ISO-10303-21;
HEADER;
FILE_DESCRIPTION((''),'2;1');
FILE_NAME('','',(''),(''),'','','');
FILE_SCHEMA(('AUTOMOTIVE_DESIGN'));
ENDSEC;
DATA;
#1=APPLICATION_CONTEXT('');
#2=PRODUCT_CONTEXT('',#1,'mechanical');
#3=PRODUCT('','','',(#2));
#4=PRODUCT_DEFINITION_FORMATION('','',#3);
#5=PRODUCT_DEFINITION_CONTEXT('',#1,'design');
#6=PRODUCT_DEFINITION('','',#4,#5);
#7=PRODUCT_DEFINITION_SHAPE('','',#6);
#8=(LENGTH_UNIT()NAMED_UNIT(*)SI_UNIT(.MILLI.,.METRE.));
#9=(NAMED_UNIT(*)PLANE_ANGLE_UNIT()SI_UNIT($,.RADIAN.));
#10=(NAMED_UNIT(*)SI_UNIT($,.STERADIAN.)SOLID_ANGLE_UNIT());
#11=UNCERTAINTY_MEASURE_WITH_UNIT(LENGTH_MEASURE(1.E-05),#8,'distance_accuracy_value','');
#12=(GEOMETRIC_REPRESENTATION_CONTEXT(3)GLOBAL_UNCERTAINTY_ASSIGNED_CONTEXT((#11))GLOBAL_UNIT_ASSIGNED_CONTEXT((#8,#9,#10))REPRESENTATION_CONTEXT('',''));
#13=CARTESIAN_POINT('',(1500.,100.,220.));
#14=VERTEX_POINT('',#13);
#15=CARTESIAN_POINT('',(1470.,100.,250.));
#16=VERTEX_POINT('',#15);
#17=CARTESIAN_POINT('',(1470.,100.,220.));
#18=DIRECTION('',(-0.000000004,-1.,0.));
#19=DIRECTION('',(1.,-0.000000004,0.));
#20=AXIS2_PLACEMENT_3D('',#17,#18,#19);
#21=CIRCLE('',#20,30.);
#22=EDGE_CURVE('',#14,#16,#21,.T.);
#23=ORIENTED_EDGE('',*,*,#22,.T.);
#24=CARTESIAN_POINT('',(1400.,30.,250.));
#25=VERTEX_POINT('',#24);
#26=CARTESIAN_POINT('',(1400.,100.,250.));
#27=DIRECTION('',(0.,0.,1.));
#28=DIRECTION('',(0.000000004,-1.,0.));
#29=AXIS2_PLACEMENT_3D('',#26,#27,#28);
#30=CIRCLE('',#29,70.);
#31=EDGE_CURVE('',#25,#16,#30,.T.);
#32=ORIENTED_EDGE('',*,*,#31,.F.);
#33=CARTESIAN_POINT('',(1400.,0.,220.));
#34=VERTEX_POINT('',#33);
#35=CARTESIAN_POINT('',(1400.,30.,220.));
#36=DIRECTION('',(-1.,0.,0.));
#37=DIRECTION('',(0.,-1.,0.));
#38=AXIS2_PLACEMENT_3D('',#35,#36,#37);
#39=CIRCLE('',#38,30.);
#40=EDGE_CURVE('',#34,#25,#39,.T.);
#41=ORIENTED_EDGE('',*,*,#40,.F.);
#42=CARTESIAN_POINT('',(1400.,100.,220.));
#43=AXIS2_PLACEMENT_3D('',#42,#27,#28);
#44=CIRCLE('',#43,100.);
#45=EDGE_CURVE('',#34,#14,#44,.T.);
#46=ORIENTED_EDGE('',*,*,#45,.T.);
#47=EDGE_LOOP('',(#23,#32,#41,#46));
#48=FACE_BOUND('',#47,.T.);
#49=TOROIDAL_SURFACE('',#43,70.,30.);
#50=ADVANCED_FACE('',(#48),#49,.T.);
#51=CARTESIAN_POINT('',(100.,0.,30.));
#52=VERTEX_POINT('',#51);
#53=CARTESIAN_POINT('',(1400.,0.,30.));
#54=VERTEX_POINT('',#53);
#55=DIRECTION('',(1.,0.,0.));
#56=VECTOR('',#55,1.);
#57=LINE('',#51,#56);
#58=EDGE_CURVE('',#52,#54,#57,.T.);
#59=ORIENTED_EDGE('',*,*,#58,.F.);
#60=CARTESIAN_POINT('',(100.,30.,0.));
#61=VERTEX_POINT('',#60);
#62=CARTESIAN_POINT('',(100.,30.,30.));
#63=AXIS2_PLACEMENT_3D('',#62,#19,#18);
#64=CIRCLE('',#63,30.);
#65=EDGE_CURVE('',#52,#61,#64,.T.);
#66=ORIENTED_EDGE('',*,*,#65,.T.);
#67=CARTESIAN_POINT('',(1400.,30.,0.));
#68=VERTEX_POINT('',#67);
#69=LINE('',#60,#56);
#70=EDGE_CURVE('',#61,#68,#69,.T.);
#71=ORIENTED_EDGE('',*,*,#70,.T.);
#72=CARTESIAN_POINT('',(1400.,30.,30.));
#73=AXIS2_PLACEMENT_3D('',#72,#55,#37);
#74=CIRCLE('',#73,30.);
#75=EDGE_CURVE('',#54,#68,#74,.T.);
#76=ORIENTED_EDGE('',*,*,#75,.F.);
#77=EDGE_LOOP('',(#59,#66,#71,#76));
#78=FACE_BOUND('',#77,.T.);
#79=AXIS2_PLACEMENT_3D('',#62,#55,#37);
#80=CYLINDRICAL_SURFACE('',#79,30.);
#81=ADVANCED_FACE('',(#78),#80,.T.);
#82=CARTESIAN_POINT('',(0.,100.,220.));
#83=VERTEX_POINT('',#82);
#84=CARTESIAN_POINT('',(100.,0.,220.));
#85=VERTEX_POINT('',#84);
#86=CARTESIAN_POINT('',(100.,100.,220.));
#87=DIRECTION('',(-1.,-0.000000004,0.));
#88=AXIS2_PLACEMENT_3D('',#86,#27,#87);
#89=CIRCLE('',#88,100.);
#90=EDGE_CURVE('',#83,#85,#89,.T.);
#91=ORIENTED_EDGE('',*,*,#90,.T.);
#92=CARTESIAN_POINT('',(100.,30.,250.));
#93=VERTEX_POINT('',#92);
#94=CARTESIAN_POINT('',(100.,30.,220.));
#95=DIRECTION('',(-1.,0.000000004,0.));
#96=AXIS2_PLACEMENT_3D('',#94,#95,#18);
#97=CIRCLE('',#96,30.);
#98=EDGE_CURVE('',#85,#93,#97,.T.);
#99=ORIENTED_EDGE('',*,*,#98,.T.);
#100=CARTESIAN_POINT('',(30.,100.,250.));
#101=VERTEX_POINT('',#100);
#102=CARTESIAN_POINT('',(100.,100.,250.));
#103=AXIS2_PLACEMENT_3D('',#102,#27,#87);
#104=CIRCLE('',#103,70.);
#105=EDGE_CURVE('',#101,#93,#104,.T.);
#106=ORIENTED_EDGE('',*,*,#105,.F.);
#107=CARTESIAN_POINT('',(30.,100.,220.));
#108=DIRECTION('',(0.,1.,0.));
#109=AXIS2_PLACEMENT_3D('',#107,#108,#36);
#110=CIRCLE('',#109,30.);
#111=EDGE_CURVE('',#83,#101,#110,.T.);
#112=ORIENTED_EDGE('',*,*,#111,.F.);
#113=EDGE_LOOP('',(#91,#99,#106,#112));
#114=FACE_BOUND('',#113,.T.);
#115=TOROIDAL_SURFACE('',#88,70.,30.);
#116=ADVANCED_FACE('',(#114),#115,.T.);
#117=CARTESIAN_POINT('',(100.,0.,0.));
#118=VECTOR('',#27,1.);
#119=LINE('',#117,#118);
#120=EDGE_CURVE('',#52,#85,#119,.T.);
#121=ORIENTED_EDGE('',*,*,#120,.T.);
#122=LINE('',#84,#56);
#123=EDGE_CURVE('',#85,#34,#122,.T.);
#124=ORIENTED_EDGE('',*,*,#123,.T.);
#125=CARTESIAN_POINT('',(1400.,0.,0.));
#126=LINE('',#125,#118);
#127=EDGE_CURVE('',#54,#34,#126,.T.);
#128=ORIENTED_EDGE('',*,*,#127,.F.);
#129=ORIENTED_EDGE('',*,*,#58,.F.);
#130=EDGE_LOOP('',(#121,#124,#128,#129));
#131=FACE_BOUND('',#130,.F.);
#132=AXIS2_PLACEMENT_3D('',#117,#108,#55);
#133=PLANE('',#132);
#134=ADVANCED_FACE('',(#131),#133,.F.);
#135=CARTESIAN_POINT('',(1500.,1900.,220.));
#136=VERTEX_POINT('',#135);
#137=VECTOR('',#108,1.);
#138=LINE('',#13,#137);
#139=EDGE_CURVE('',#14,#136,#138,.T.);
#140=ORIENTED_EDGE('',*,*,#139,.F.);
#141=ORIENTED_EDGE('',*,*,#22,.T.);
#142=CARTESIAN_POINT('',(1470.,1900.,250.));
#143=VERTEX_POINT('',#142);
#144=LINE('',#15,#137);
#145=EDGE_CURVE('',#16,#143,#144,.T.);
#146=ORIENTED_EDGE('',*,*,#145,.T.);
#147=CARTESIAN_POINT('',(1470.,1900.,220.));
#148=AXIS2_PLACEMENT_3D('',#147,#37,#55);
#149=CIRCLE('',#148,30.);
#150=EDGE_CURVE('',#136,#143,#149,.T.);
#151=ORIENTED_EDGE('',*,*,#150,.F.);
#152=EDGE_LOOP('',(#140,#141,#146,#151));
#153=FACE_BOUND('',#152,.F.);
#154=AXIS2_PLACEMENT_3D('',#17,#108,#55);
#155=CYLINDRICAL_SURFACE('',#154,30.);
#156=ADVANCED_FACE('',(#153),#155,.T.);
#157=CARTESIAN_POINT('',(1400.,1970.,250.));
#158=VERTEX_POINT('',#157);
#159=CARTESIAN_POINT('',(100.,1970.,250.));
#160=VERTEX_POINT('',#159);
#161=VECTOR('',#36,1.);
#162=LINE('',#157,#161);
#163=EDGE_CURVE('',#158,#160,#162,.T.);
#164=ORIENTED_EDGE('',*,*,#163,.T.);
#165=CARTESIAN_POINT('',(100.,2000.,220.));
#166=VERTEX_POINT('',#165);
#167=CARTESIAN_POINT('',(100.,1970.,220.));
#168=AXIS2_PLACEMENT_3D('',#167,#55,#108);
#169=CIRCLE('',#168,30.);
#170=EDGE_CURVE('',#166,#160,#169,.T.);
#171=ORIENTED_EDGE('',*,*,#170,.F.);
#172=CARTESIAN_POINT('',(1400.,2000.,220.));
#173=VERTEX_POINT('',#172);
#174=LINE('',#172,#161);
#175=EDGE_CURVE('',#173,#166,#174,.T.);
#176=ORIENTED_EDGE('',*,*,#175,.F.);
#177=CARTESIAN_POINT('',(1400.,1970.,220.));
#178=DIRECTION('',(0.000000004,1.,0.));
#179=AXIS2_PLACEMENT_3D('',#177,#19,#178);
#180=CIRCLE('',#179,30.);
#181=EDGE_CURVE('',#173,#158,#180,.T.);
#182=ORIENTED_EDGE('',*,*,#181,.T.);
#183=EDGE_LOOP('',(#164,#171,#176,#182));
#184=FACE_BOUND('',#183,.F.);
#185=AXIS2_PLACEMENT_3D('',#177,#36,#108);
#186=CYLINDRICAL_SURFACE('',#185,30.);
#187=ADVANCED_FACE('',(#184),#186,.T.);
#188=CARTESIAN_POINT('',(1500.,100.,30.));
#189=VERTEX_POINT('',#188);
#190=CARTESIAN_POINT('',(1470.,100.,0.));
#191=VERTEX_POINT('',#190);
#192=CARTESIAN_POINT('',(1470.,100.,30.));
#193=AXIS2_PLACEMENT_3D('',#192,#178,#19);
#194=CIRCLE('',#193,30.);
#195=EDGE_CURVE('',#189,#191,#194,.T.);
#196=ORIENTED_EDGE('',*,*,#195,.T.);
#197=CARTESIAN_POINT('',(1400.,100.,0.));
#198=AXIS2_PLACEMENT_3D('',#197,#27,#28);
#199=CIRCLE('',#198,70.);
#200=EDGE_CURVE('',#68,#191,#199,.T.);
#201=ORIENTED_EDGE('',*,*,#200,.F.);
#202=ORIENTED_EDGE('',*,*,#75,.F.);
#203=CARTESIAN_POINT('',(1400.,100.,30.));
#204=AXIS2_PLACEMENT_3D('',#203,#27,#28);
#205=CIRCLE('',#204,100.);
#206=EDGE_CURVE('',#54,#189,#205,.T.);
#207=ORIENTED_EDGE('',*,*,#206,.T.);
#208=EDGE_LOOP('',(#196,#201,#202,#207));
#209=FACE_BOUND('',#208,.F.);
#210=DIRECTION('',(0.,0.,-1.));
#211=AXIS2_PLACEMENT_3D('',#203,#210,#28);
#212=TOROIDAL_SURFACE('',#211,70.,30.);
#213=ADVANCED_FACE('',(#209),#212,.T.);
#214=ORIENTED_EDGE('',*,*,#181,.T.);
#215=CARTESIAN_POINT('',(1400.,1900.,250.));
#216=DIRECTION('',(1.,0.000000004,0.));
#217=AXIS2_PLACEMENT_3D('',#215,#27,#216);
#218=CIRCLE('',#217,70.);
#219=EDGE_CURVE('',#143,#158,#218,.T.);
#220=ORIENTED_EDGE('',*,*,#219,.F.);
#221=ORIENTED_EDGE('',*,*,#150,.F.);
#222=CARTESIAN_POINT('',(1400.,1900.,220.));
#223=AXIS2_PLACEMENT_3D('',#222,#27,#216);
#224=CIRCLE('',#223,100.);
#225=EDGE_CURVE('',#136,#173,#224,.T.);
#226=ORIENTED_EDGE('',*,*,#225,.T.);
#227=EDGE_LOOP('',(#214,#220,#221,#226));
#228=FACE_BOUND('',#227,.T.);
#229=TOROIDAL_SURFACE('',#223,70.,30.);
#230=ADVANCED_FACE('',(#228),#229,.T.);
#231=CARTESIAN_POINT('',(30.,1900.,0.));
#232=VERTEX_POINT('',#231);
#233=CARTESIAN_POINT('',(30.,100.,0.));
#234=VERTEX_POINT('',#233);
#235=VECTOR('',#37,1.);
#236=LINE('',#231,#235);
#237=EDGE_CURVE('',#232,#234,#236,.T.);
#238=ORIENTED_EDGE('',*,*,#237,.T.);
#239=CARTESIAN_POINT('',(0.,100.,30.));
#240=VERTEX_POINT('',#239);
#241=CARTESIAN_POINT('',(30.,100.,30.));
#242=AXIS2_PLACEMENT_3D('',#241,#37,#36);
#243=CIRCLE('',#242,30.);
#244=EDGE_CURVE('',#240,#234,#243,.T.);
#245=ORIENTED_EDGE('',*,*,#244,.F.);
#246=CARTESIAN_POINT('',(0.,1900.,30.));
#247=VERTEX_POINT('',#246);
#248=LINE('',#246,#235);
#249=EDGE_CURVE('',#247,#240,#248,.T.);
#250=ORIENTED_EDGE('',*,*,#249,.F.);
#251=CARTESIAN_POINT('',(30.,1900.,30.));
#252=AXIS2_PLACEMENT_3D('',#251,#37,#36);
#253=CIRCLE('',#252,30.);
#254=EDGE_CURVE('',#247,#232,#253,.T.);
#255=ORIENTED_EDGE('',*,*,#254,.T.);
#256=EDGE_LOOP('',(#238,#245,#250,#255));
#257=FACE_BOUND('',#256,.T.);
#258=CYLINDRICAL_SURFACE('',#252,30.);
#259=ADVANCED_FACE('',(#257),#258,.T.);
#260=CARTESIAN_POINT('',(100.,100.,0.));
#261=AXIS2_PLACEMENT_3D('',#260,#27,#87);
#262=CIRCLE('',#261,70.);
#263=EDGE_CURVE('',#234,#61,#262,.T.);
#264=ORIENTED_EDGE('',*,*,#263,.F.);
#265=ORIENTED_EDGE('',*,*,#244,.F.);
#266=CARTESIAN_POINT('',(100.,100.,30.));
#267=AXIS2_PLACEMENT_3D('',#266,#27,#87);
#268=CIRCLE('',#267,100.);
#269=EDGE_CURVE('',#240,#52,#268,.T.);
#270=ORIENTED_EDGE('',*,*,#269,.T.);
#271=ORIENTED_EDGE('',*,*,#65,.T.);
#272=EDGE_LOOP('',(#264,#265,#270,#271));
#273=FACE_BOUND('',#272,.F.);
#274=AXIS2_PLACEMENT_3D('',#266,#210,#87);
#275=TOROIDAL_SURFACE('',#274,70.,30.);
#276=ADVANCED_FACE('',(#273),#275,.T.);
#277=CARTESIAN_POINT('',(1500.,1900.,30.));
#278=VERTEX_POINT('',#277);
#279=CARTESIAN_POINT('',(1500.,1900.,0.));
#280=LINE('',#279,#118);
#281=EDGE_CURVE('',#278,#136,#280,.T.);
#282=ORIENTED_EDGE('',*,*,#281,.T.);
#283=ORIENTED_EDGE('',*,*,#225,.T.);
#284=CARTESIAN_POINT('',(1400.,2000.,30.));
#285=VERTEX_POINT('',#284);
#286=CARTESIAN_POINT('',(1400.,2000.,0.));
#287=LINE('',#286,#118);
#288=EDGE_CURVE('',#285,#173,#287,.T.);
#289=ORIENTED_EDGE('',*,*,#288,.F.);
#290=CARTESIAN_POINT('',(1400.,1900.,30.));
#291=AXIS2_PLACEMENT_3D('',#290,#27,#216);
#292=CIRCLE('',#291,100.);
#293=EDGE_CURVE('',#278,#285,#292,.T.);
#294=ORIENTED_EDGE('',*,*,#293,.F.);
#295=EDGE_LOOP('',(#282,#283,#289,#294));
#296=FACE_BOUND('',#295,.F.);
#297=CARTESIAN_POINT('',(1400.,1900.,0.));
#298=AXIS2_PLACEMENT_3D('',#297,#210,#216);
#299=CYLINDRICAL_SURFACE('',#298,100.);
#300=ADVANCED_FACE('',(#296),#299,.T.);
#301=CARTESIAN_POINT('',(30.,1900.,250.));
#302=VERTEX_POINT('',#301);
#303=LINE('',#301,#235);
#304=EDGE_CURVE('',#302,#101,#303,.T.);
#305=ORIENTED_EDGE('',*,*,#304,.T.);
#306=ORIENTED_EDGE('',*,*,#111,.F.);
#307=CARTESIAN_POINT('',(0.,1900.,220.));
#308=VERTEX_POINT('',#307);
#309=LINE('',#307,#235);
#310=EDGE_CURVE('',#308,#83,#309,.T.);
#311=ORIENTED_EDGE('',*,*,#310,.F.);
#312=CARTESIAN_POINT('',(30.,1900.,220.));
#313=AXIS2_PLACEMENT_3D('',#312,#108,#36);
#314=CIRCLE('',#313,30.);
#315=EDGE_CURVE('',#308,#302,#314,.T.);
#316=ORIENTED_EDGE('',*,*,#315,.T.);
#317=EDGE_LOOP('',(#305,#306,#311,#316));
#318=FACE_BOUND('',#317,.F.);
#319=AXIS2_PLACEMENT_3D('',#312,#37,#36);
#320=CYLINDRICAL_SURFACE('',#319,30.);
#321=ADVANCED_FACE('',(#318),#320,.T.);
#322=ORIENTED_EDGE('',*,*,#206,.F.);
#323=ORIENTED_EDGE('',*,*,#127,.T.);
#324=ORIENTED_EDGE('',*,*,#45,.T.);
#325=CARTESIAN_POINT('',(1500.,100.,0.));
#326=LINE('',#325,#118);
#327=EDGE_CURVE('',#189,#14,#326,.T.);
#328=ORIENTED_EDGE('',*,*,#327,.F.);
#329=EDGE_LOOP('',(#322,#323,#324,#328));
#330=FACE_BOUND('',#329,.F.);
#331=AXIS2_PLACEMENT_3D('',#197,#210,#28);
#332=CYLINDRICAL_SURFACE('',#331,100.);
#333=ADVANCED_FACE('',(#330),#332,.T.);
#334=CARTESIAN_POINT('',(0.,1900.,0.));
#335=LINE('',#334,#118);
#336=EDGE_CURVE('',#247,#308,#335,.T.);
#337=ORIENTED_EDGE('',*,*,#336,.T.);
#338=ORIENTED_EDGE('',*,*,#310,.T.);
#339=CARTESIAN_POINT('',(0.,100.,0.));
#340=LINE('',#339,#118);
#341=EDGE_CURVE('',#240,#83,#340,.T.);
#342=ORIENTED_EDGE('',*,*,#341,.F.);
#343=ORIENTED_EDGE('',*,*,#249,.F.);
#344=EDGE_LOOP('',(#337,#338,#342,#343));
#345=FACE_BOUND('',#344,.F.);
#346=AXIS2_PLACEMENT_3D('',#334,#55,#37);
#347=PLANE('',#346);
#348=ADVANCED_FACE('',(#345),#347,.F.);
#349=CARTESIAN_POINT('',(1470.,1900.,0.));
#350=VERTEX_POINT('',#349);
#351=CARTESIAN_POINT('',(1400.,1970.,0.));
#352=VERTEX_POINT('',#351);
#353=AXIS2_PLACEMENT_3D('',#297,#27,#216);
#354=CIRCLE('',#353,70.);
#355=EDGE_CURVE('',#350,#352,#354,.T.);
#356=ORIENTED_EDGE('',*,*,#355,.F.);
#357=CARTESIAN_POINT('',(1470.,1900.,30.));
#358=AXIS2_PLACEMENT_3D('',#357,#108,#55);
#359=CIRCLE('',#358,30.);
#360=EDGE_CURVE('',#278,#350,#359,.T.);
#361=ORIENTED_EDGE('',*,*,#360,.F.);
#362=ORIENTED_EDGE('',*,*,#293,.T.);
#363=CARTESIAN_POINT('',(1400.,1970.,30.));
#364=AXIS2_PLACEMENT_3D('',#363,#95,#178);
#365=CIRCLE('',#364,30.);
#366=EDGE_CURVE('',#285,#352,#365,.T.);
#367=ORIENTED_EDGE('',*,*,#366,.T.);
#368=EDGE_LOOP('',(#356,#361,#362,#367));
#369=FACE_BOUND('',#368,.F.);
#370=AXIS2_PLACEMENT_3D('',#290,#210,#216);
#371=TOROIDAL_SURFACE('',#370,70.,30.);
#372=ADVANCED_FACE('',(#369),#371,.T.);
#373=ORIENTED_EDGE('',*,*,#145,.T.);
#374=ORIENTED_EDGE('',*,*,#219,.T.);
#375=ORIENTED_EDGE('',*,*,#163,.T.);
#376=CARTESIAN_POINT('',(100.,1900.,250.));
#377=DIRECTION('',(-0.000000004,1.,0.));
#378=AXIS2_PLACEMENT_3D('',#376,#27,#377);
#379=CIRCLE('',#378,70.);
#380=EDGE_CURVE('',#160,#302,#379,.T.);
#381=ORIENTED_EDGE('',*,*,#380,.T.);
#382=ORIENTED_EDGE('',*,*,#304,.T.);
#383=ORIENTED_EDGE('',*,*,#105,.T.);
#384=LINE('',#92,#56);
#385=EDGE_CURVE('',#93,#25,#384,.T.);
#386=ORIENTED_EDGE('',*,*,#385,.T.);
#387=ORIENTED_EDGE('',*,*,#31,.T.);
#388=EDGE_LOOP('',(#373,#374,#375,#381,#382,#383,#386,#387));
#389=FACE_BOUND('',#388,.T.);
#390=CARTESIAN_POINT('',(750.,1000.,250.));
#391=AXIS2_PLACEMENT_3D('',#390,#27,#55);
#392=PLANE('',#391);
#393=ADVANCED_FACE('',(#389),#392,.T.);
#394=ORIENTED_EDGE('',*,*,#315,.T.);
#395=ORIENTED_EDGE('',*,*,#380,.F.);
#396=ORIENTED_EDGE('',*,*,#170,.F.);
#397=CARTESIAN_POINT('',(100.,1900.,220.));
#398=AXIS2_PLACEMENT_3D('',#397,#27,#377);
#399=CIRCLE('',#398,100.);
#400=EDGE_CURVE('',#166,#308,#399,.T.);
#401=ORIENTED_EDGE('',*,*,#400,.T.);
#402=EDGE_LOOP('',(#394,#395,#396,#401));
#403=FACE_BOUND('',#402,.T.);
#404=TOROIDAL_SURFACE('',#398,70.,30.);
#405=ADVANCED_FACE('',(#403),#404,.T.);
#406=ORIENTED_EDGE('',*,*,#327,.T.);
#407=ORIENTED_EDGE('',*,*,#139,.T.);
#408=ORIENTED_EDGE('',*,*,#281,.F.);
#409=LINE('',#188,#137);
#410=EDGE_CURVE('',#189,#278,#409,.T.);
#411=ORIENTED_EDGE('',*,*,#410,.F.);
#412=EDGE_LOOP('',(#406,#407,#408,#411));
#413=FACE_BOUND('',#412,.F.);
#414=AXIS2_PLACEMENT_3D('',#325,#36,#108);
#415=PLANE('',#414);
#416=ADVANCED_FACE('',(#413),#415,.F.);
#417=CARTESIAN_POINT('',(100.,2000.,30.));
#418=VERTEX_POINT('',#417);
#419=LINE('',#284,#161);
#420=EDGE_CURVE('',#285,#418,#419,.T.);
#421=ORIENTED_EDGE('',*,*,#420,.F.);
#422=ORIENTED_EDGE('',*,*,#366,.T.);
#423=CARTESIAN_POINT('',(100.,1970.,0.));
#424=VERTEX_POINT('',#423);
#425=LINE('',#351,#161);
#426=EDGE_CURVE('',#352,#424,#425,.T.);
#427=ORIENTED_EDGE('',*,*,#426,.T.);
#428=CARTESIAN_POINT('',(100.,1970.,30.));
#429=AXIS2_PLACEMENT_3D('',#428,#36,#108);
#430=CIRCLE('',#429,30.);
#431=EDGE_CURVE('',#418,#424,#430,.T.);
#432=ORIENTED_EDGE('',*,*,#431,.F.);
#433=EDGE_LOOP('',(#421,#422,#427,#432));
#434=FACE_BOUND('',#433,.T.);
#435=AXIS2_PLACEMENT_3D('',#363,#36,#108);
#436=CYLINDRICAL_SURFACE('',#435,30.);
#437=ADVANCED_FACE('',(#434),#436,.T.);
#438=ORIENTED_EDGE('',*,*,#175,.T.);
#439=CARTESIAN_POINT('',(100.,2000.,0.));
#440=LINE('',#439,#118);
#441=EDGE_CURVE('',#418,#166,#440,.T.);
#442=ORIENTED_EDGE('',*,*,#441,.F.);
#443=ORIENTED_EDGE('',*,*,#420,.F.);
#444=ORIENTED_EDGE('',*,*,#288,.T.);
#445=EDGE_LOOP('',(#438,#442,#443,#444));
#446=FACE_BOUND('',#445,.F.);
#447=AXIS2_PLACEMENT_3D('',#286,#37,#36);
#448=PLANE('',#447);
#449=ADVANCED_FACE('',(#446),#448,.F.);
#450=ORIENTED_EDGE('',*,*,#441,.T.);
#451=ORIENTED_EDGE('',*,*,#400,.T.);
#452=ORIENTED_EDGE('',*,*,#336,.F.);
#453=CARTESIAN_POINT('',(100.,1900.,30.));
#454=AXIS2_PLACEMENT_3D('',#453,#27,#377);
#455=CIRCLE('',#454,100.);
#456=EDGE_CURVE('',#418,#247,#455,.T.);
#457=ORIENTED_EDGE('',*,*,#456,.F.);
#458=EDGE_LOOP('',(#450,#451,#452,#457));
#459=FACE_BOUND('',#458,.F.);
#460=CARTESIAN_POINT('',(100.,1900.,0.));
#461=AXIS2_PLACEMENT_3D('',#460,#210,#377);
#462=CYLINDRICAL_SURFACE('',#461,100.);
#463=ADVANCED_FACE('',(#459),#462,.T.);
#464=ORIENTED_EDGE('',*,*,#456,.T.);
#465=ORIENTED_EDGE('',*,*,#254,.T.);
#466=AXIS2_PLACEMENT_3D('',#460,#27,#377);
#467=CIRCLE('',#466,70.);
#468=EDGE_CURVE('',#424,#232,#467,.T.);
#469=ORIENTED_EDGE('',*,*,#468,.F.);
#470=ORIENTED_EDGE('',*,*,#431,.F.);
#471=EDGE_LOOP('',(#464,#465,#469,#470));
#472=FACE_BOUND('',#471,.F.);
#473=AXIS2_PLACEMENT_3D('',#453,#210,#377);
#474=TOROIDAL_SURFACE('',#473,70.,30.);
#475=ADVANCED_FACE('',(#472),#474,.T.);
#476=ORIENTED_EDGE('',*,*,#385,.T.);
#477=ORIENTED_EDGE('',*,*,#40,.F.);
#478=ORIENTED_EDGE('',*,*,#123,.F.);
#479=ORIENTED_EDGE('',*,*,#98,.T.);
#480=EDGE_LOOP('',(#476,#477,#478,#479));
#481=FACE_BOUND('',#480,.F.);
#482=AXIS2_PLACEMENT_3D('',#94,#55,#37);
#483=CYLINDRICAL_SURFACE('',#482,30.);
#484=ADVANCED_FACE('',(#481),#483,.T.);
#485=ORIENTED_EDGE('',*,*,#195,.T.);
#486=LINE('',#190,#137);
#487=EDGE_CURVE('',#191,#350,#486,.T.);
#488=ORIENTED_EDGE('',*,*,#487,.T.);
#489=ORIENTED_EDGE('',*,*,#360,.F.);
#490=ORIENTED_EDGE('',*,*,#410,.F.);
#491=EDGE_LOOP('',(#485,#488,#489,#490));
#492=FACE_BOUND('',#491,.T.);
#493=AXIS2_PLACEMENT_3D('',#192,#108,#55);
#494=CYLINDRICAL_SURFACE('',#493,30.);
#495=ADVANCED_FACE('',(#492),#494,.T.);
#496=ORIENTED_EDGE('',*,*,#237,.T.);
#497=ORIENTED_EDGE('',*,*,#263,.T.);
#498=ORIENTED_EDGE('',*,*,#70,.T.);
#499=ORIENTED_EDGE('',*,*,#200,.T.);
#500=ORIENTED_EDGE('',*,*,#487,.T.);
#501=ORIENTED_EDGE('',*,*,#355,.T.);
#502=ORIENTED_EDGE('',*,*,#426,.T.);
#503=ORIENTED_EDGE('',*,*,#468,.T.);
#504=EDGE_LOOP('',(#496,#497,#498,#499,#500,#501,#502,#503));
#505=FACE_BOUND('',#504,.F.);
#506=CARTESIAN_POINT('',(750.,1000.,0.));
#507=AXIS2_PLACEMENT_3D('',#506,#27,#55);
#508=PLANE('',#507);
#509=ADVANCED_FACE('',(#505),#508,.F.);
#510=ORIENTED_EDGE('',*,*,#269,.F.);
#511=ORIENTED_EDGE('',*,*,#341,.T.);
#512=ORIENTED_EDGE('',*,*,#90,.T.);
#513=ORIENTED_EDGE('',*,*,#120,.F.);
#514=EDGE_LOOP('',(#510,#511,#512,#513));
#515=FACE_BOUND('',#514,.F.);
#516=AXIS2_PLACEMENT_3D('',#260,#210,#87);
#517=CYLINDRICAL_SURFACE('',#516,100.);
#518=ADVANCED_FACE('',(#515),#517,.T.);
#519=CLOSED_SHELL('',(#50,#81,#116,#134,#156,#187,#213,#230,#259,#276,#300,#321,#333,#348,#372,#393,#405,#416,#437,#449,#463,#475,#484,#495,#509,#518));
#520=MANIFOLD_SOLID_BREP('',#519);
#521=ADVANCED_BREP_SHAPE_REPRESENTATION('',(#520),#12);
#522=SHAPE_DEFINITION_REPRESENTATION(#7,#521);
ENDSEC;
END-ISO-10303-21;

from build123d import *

# Parameters (mm, degrees)
F1_DEPTH = 250
F2_R     = 30


with BuildPart() as f1:
    # F0 (on Top) → F1 (new body)
    with BuildSketch(Plane.XY):
        with BuildLine():
            ThreePointArc((0, 100), (29.289322, 29.289322), (100, 0))
            Line((100, 0), (1400, 0))
            ThreePointArc((1400, 0), (1470.710678, 29.289322), (1500, 100))
            Line((1500, 100), (1500, 1900))
            ThreePointArc((1500, 1900), (1470.710678, 1970.710678), (1400, 2000))
            Line((1400, 2000), (100, 2000))
            ThreePointArc((100, 2000), (29.289322, 1970.710678), (0, 1900))
            Line((0, 1900), (0, 100))
        make_face()
    extrude(amount=F1_DEPTH)

    # F2
    f2_edges = [f1.edges().sort_by_distance(p)[0] for p in [
        (0, 1000, 250),
        (29.289322, 29.289322, 250),
        (750, 0, 250),
        (1470.710678, 29.289322, 250),
        (1500, 1000, 250),
        (1470.710678, 1970.710678, 250),
        (750, 2000, 250),
        (29.289322, 1970.710678, 250),
        (0, 1000, 0),
        (29.289322, 29.289322, 0),
        (750, 0, 0),
        (1470.710678, 29.289322, 0),
        (1500, 1000, 0),
        (1470.710678, 1970.710678, 0),
        (750, 2000, 0),
        (29.289322, 1970.710678, 0),
    ]]
    fillet(f2_edges, radius=F2_R)


solid = f1.part
